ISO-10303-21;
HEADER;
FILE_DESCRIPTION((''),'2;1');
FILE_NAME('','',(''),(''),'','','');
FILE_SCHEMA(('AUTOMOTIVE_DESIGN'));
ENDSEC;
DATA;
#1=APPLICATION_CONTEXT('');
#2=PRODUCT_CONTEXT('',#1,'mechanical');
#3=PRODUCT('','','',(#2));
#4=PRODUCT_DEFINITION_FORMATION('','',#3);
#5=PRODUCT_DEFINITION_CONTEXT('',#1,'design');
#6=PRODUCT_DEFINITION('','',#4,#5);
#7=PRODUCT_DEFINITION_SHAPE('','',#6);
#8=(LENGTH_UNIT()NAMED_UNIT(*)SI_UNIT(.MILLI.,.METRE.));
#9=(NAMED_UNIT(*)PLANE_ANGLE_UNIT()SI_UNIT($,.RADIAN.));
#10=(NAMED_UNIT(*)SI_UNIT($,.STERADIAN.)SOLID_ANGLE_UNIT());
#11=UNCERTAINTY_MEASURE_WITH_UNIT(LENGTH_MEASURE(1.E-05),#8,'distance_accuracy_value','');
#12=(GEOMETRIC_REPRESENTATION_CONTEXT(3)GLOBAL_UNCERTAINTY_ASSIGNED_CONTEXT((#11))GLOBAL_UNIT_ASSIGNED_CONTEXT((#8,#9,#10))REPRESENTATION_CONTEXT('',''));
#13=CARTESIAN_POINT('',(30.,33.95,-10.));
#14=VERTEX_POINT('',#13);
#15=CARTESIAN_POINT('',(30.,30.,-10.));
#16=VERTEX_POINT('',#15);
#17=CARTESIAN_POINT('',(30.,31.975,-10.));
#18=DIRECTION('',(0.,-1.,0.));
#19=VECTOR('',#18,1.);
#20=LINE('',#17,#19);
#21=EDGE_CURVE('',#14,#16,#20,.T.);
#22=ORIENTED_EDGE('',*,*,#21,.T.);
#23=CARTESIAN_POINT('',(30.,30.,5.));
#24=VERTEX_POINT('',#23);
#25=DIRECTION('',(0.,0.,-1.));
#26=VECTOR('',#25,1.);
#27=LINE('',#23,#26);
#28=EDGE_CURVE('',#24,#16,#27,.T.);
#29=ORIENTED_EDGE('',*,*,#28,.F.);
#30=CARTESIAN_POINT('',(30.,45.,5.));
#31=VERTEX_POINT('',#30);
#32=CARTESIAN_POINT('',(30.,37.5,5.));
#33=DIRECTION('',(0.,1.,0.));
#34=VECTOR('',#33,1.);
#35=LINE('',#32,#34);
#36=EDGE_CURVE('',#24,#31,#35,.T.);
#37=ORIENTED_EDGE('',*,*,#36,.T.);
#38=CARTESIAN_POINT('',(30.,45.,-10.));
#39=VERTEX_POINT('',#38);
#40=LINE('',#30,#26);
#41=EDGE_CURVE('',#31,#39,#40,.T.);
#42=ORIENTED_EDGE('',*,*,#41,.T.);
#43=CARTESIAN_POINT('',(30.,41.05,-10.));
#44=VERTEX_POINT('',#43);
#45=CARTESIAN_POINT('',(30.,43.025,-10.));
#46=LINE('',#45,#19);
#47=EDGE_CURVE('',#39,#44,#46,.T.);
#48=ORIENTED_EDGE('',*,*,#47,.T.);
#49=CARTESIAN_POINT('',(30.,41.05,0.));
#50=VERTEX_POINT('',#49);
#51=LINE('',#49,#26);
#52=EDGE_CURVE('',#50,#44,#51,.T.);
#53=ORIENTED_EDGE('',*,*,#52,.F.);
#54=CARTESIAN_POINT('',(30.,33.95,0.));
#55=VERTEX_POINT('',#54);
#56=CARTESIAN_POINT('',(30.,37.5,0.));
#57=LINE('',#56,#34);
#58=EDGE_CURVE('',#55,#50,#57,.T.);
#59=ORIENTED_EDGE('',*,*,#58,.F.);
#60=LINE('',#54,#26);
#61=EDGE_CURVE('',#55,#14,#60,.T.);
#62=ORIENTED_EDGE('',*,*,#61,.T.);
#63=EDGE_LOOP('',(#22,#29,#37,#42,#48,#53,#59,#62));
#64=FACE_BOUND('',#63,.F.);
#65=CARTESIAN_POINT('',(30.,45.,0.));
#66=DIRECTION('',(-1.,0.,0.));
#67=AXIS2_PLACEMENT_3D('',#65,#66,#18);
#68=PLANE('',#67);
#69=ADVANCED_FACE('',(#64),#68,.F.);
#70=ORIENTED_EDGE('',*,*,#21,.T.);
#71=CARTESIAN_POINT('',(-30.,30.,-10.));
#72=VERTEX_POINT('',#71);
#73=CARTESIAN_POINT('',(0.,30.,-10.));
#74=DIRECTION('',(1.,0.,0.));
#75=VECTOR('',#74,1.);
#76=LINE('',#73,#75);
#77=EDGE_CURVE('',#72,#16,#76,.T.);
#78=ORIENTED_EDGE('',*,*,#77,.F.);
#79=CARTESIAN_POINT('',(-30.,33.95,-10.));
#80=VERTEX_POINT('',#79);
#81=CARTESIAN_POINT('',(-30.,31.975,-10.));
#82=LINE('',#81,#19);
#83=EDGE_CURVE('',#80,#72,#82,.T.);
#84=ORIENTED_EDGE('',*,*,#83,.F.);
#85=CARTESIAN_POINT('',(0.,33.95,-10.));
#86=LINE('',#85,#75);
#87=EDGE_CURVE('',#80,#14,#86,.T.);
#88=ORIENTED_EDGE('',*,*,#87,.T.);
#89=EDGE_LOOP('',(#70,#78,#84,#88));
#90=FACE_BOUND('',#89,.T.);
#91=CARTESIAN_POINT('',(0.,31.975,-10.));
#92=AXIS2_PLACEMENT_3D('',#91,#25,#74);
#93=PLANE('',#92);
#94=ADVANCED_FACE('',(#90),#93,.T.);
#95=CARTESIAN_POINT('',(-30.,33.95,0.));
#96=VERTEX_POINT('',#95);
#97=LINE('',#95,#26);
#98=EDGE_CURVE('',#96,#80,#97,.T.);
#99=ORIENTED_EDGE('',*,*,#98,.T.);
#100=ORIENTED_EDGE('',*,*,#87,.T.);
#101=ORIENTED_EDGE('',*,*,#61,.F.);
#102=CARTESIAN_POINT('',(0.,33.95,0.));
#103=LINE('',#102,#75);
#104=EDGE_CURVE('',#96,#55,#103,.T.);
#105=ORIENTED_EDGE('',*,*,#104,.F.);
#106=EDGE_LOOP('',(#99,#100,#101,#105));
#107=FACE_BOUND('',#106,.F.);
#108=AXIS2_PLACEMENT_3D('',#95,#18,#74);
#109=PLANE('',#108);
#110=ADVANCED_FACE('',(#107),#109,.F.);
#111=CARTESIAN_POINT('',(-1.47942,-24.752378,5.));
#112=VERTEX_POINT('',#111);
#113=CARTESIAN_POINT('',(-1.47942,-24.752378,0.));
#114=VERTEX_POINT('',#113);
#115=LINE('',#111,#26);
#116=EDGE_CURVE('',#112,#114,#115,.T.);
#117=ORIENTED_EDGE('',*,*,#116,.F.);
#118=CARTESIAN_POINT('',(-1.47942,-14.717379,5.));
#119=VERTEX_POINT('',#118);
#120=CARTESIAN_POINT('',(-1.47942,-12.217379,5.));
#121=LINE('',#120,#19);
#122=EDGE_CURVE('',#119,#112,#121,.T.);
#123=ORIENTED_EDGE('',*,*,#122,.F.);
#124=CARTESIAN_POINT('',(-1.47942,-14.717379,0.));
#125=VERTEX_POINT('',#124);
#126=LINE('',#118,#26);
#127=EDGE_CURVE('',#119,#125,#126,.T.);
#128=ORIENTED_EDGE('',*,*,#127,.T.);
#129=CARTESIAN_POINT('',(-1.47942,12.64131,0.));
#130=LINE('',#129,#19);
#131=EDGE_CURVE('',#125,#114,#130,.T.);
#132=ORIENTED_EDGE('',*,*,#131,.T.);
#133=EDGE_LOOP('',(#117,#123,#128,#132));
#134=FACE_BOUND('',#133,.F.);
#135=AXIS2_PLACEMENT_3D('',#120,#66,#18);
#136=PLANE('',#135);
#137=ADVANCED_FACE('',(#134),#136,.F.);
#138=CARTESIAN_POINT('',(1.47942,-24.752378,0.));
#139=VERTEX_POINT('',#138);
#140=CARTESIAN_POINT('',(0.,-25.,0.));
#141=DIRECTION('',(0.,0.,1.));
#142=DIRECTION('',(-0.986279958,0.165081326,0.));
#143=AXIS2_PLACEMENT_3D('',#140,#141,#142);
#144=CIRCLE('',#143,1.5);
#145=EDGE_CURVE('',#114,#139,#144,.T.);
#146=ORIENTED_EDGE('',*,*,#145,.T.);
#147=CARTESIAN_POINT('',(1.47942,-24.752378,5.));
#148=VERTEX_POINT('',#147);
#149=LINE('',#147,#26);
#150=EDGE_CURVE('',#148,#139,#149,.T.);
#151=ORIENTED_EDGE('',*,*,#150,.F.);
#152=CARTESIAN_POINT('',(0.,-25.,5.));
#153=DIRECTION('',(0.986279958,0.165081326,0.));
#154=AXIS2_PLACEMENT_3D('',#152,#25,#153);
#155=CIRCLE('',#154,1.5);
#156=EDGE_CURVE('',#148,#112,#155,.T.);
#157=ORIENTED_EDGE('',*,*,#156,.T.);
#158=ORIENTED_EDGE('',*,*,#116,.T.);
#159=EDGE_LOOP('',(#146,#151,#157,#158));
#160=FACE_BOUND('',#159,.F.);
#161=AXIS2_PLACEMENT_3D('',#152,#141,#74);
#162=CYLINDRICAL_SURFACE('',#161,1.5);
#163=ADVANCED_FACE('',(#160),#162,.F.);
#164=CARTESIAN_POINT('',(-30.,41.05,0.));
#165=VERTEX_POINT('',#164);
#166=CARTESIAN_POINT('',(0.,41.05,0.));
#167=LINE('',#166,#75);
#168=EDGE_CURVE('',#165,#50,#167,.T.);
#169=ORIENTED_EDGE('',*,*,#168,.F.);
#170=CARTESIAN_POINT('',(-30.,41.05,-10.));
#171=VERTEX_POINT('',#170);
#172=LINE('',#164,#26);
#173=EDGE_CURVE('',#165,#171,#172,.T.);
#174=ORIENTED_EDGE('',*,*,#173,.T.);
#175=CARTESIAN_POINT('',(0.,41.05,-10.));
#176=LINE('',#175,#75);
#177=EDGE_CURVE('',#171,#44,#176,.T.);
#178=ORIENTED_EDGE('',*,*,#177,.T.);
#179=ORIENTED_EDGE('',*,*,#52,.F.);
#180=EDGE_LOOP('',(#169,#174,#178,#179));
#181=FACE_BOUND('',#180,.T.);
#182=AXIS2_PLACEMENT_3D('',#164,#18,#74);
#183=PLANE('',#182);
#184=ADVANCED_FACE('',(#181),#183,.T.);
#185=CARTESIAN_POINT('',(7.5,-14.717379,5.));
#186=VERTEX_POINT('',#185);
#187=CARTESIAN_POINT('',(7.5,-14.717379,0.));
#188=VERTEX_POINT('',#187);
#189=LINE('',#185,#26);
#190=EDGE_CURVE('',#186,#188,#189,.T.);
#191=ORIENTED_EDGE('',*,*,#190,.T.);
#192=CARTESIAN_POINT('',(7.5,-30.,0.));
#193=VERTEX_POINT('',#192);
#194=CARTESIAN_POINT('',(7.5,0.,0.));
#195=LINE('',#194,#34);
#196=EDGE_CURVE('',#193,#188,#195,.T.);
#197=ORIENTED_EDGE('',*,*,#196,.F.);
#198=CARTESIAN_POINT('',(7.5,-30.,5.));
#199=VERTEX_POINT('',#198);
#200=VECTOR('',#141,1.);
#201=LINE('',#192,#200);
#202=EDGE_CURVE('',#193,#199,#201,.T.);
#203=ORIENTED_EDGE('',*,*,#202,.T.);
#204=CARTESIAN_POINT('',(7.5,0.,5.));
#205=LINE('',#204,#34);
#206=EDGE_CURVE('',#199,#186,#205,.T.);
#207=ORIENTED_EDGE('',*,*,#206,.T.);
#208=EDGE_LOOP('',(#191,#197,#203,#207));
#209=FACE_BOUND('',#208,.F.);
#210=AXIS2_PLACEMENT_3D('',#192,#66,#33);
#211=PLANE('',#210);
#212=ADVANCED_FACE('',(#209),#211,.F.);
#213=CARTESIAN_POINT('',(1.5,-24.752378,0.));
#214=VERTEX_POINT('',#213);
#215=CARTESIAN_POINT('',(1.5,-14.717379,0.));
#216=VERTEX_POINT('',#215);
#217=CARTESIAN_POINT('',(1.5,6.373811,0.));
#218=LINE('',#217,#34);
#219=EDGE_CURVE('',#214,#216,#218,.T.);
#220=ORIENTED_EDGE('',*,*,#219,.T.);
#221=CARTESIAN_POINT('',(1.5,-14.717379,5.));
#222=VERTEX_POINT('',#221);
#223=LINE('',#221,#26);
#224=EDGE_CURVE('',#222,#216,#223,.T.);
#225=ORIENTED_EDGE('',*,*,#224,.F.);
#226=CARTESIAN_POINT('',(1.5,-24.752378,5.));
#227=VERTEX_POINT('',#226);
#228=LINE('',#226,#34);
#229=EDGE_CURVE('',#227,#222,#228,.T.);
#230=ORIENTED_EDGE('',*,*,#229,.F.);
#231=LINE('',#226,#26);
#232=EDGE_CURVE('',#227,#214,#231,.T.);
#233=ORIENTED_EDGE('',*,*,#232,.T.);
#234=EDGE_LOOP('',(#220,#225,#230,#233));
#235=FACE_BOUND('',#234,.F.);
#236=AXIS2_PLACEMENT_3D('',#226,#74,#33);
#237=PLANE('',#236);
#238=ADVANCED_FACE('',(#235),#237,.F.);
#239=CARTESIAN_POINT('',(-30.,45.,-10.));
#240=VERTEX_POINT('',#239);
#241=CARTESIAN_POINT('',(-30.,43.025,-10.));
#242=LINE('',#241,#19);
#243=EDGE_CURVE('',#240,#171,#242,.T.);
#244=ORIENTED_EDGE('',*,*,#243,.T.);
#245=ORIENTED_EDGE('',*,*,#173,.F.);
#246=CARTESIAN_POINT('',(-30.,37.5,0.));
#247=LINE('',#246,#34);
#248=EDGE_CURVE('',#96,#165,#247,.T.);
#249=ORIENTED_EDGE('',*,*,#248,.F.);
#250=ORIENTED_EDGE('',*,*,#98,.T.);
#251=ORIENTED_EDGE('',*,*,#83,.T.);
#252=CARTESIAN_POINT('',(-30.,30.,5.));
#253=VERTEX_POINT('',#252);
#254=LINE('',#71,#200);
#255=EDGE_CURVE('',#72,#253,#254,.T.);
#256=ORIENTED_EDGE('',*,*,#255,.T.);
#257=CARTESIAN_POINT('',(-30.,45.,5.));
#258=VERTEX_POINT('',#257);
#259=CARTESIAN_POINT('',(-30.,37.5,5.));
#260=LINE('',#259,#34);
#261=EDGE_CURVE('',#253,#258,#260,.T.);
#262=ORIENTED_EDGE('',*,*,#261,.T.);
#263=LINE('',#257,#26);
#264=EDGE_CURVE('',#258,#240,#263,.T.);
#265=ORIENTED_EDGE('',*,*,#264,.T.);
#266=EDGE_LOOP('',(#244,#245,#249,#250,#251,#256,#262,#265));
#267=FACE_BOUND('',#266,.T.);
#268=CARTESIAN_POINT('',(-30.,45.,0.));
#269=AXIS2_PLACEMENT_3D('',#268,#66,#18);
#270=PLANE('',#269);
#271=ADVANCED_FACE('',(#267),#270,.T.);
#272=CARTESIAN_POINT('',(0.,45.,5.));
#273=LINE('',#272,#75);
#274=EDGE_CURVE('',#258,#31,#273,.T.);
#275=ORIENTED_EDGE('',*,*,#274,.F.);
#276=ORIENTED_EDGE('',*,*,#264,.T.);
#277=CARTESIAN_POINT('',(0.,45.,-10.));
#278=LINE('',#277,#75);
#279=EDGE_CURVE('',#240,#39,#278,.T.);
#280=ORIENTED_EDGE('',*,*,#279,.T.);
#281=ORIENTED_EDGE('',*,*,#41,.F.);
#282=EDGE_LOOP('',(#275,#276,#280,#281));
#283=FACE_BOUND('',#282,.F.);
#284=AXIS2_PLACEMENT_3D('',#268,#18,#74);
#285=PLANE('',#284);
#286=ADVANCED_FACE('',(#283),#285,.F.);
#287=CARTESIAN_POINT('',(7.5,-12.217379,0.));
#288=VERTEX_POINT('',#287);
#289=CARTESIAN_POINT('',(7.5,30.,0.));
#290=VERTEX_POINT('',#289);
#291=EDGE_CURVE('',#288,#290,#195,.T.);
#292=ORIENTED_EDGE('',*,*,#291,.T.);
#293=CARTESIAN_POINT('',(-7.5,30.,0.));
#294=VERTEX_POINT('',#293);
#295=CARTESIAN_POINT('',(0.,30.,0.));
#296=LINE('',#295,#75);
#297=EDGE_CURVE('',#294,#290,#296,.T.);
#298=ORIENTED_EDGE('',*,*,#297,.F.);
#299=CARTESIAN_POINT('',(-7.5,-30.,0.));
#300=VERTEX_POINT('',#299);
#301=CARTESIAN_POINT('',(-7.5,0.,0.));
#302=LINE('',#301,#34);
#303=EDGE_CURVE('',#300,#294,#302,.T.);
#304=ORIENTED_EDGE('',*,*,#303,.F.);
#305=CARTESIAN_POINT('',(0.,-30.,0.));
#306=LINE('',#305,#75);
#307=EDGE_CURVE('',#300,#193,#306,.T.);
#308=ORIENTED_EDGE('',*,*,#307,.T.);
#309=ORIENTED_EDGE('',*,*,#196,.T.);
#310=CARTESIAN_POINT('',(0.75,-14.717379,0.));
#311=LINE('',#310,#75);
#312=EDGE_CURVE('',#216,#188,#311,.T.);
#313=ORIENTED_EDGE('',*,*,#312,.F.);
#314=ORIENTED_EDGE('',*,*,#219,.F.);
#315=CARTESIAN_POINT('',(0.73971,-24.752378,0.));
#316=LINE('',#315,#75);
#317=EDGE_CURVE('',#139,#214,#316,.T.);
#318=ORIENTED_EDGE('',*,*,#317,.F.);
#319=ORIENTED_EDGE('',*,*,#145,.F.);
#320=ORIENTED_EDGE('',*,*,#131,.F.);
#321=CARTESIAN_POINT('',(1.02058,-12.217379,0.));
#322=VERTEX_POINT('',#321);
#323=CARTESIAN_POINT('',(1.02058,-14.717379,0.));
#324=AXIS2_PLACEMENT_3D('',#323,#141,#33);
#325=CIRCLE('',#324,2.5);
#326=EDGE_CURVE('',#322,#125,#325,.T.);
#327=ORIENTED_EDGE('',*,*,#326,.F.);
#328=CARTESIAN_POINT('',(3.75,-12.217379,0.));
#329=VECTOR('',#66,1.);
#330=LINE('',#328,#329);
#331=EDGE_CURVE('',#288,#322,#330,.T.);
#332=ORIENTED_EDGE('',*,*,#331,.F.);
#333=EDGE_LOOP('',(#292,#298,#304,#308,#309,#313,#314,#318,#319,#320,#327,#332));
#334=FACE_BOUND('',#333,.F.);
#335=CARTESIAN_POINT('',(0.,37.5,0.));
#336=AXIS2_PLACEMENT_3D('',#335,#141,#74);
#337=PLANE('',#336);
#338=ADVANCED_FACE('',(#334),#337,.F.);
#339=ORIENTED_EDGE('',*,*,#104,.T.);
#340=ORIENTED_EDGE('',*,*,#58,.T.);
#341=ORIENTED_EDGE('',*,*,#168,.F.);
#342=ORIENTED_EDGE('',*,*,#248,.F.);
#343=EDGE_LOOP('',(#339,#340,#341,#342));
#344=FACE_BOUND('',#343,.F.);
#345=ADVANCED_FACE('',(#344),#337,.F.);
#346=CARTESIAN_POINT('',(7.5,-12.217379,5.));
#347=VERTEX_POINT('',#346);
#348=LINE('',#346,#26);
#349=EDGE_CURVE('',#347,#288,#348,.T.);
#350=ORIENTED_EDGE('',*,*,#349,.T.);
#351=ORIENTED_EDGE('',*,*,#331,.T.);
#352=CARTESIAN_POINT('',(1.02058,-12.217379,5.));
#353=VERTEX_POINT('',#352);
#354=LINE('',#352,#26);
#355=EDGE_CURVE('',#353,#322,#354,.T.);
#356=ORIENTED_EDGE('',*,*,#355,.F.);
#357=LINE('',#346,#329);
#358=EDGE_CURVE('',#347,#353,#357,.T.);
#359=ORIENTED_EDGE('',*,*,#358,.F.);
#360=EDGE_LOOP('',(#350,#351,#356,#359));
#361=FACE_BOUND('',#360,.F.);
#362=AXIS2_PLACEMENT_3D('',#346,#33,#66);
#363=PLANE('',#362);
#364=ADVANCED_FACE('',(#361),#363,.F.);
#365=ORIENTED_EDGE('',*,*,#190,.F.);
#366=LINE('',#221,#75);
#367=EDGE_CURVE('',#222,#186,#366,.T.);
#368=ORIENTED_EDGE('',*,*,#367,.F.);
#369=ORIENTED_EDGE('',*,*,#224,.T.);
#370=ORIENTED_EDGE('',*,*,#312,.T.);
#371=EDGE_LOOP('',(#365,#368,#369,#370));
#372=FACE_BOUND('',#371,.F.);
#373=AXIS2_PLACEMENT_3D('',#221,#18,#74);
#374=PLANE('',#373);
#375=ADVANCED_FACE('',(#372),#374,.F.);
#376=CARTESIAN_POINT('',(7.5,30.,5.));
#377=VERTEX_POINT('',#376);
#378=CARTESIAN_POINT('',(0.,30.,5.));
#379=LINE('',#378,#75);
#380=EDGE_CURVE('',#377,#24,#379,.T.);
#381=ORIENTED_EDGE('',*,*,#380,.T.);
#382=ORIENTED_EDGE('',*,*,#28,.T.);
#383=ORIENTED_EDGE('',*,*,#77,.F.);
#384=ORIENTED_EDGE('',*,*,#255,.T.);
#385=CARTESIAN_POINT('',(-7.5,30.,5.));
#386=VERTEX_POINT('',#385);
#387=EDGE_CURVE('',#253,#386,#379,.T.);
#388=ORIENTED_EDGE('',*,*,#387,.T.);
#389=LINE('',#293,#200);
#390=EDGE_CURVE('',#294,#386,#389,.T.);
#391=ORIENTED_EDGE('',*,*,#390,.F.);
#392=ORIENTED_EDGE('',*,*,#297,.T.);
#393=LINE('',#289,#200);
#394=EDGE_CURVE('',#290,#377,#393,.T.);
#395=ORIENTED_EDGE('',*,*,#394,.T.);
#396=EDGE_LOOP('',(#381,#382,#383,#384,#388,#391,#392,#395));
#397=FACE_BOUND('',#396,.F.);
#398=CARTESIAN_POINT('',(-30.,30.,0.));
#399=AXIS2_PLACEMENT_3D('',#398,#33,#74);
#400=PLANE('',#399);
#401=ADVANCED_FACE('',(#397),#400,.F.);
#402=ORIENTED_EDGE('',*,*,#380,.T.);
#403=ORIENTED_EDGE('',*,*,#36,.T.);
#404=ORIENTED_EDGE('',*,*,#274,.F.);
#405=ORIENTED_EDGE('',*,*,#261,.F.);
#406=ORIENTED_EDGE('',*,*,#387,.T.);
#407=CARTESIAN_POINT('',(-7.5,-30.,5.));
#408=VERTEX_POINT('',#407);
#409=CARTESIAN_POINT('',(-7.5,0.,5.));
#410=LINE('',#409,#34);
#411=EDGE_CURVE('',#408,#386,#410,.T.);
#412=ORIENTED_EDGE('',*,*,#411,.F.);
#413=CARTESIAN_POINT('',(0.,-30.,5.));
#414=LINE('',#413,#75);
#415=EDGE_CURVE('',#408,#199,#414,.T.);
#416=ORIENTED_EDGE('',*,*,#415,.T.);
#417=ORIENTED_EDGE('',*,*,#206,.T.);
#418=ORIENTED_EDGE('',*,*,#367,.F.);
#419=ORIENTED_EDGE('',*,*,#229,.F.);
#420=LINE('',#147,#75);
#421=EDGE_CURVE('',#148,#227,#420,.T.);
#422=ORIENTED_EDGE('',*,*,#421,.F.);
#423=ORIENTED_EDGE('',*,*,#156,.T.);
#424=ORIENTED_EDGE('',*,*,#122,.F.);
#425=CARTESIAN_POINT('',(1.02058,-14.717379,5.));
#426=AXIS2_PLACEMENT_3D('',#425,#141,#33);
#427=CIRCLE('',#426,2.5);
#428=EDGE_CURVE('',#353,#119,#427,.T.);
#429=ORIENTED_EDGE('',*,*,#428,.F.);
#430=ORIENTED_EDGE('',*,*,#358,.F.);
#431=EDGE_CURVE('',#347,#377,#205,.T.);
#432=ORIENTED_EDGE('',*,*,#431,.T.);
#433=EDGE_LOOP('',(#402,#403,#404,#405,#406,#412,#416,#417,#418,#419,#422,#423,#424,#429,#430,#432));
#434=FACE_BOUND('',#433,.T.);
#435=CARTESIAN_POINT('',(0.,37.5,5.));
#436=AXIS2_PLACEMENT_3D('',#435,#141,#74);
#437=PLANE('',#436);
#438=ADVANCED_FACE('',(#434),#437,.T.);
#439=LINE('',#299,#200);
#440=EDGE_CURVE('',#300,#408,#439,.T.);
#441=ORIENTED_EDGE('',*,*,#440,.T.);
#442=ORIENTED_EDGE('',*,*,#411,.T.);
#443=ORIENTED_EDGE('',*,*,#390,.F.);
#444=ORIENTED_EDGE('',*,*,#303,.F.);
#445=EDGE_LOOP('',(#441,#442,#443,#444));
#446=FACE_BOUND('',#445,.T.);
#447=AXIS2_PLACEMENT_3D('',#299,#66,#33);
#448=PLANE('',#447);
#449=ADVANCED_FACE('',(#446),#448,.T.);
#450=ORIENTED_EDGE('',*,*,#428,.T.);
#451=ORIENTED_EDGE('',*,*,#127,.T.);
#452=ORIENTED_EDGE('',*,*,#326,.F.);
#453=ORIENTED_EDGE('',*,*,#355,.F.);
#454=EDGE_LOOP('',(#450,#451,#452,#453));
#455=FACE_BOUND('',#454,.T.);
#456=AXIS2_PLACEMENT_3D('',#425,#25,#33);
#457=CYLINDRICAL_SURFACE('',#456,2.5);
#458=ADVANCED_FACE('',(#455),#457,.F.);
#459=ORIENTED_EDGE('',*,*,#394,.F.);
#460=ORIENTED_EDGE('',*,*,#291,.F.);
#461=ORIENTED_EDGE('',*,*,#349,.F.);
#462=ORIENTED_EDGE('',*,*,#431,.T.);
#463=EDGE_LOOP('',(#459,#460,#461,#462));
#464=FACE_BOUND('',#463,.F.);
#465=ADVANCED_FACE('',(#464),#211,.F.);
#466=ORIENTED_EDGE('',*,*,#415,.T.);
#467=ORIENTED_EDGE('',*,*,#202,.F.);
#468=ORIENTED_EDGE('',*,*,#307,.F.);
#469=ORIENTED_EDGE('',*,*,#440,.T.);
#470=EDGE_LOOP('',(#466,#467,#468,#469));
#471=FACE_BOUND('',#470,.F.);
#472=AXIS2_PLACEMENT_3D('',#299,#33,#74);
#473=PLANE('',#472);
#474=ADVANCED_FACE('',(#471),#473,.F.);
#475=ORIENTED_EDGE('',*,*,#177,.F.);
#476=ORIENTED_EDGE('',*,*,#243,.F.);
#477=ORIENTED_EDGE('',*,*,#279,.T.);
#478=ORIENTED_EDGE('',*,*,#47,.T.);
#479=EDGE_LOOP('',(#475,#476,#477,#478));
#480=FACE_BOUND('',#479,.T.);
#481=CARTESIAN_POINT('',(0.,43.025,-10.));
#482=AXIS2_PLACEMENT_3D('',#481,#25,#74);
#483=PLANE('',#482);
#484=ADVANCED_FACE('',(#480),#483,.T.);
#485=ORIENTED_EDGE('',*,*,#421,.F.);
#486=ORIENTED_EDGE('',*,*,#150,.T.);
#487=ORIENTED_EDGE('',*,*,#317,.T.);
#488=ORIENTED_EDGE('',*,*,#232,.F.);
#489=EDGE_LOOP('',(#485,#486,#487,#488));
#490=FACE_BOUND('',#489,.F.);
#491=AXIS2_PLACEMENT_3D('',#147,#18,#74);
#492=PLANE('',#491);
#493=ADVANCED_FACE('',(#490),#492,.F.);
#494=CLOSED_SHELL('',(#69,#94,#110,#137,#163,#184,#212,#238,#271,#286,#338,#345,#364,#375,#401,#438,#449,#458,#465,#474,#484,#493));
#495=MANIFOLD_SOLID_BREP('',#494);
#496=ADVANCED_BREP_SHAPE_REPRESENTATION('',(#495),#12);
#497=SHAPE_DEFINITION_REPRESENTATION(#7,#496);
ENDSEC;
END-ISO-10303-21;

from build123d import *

# Parameters (mm, degrees)
F0_W     = 15
F0_H     = 60
F1_DEPTH = 5
F2_W     = 60
F2_H     = 15
F3_DEPTH = 5
F4_W     = 60
F4_H     = 3.95
F5_DEPTH = 10
F6_R     = 1.5
F7_DEPTH = 25
F9_DEPTH = 25
F10_R    = 2.5


with BuildPart() as f1:
    # F0 (on Top) → F1 (new body)
    with BuildSketch(Plane.XY):
        Rectangle(F0_W, F0_H)
    extrude(amount=F1_DEPTH)

    # F2 (on Top) → F3 (join)
    with BuildSketch(Plane.XY):
        with Locations((0, 37.5)):
            Rectangle(F2_W, F2_H)
    extrude(amount=F3_DEPTH)

    # F4 (on face) → F5 (join)
    with BuildSketch(Plane(origin=(0, 0, 0), x_dir=(1, 0, 0), z_dir=(0, 0, -1))):
        with Locations((0, -43.025)):
            Rectangle(F4_W, F4_H)
        with Locations((0, -31.975)):
            Rectangle(F4_W, F4_H)
    extrude(amount=F5_DEPTH)

    # F6 (on face) → F7 (cut)
    with BuildSketch(Plane.XY.offset(5)):
        with Locations((0, -25)):
            Circle(F6_R)
    extrude(amount=-F7_DEPTH, mode=Mode.SUBTRACT)

    # F8 (on face) → F9 (cut)
    with BuildSketch(Plane.XY.offset(5)):
        with BuildLine():
            Line((-1.47942, -12.217379), (-1.47942, -24.752378))
            ThreePointArc((-1.47942, -24.752378), (0, -23.5), (1.47942, -24.752378))
            Line((1.47942, -24.752378), (1.5, -24.752378))
            Line((1.5, -24.752378), (1.5, -14.717379))
            Line((1.5, -14.717379), (7.5, -14.717379))
            Line((7.5, -14.717379), (7.5, -12.217379))
            Line((7.5, -12.217379), (-1.47942, -12.217379))
        make_face()
    extrude(amount=-F9_DEPTH, mode=Mode.SUBTRACT)

    # F10
    f10_edges = [f1.edges().sort_by_distance(p)[0] for p in [
        (-1.47942, -12.217379, 2.5),
    ]]
    fillet(f10_edges, radius=F10_R)


solid = f1.part
